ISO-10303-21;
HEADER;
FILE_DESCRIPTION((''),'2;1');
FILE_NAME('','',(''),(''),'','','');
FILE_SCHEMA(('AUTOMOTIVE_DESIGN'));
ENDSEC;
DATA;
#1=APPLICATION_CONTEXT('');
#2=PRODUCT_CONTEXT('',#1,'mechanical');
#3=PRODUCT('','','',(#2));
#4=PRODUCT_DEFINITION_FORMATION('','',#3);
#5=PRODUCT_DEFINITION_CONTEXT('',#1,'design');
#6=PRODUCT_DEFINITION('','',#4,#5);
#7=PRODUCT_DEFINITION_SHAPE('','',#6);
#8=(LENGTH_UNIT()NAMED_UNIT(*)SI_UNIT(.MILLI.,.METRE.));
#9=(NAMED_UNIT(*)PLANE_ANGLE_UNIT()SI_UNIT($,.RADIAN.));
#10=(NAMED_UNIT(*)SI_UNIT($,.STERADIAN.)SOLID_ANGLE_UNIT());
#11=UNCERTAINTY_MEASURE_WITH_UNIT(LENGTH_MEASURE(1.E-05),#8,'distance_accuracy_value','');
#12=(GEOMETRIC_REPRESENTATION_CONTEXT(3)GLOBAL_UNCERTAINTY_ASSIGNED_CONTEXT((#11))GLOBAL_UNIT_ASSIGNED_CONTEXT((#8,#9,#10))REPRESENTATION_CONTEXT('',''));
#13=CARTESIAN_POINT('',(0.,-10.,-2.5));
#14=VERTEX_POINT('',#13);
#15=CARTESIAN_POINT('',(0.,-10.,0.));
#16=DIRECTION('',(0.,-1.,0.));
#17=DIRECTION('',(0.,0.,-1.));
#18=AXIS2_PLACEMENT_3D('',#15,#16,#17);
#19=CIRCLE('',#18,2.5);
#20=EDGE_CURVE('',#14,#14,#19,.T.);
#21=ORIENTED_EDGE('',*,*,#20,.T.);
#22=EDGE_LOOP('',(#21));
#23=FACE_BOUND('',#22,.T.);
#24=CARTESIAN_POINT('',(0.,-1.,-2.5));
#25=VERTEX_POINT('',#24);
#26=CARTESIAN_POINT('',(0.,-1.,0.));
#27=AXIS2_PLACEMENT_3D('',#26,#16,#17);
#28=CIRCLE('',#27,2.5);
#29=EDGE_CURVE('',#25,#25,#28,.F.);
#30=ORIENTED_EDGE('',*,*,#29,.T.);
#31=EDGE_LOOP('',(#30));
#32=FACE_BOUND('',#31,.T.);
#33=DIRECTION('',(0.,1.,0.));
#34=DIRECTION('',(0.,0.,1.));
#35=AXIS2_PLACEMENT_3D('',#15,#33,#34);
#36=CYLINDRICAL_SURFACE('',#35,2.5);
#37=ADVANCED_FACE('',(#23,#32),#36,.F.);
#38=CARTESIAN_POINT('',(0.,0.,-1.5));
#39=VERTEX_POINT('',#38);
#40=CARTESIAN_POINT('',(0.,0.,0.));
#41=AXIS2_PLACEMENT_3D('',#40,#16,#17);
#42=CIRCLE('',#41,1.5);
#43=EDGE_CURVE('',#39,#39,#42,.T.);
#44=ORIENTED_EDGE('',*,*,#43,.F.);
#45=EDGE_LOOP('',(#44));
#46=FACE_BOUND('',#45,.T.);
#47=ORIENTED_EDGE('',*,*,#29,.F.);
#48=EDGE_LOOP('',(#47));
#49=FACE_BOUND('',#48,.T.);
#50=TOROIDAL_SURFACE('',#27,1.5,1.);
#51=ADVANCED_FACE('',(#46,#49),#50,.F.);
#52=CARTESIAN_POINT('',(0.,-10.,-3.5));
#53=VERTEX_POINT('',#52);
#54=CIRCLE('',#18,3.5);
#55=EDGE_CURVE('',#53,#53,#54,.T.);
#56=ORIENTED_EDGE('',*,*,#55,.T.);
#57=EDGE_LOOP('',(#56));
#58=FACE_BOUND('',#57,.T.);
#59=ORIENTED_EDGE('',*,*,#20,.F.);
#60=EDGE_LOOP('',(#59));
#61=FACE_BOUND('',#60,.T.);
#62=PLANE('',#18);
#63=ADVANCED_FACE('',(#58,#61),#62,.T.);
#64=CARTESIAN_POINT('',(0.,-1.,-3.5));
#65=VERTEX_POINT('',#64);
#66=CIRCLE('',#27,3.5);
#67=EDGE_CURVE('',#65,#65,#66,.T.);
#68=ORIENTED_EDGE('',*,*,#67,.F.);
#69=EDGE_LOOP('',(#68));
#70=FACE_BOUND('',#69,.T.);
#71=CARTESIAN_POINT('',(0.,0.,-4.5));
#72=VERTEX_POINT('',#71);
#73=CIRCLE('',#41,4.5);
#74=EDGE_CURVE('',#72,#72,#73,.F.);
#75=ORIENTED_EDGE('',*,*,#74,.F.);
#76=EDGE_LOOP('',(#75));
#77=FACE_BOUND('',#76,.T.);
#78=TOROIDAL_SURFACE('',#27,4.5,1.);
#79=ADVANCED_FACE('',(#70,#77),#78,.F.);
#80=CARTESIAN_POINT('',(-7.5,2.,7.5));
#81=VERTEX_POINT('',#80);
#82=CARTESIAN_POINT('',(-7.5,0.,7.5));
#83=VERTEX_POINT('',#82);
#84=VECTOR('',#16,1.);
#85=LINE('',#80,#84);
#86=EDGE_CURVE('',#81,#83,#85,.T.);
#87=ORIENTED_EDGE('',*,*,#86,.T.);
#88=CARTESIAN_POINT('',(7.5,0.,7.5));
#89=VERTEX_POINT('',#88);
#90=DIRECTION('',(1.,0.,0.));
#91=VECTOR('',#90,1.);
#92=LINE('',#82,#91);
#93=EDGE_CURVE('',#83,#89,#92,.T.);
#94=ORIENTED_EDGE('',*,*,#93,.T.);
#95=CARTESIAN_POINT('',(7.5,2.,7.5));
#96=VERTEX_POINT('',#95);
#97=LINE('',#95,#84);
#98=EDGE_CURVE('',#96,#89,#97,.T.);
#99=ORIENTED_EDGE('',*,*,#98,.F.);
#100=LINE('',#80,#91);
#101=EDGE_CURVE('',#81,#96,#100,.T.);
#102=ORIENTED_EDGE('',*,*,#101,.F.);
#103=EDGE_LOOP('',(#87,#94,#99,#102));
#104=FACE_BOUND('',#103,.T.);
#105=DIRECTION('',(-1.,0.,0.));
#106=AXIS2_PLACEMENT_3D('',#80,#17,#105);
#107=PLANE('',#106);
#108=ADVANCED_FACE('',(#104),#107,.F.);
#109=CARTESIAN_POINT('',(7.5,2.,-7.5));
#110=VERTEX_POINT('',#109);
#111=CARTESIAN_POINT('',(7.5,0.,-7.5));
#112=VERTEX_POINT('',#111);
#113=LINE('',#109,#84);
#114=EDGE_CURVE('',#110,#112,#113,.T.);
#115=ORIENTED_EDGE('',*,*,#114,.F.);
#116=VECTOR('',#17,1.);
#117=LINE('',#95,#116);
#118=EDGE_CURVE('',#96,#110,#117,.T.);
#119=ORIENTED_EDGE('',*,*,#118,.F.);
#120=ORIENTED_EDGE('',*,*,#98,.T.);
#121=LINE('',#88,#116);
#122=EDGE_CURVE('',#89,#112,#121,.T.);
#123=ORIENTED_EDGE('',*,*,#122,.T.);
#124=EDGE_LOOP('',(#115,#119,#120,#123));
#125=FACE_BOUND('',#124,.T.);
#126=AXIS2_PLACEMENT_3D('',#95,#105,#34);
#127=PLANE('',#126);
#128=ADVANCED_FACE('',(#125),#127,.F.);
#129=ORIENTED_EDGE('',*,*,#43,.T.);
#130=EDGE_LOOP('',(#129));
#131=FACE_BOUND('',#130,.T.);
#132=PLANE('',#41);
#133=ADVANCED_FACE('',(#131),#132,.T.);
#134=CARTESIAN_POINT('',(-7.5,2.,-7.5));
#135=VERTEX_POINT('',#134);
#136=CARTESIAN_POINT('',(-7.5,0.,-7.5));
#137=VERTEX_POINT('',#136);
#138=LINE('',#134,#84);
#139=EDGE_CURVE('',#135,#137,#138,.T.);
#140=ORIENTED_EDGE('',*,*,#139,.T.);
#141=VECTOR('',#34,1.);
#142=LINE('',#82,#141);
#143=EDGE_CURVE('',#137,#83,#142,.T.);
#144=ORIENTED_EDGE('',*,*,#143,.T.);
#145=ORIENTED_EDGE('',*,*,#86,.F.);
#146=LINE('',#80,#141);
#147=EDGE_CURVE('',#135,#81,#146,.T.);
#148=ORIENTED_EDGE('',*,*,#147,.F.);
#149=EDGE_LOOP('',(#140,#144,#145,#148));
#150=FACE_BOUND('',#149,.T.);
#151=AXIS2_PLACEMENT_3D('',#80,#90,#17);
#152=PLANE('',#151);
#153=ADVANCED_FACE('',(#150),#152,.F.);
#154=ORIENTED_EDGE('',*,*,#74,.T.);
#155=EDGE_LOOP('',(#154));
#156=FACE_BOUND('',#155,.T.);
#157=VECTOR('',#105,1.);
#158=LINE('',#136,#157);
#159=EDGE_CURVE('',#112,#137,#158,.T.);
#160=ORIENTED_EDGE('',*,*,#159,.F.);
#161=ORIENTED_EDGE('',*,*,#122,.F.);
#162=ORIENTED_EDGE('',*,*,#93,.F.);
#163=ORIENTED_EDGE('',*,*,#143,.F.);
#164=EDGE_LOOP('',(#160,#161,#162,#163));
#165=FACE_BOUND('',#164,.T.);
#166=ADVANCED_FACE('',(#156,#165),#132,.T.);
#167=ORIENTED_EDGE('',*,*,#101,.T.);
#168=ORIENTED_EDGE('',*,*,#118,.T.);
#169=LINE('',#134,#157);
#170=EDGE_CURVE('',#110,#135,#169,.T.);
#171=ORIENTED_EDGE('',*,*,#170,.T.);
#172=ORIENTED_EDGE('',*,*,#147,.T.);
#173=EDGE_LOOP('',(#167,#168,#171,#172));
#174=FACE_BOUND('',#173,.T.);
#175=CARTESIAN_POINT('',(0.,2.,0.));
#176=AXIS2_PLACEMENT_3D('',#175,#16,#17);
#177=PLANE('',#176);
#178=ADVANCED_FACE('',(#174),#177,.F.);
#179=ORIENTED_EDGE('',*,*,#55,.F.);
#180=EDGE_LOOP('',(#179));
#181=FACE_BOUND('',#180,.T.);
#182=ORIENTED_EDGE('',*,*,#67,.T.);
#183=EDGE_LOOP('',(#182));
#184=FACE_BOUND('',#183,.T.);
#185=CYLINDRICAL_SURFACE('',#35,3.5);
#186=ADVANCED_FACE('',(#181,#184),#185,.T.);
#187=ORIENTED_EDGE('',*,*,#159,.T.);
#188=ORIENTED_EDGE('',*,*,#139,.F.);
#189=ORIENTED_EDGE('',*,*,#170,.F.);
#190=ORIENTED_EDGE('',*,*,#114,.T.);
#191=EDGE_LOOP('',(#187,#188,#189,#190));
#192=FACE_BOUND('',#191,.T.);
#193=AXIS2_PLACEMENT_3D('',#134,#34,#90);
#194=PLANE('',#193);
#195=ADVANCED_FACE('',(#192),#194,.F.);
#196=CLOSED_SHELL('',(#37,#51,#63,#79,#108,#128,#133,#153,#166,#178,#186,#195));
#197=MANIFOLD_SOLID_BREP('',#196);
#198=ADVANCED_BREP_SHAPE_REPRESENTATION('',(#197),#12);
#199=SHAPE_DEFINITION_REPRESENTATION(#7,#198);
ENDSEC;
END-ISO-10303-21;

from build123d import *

# Parameters (mm, degrees)
SKETCH2_W           = 15
SKETCH2_H           = 15
BOSS_EXTRUDE1_DEPTH = 2
SKETCH3_R           = 3.5
SKETCH3_R_2         = 2.5
BOSS_EXTRUDE2_DEPTH = 10
FILLET1_R           = 1
FILLET2_R           = 1


with BuildPart() as part:
    # Sketch2 → Boss-Extrude1 (new body)
    with BuildSketch(Plane(origin=(0, 0, 0), x_dir=(1, 0, 0), z_dir=(0, 1, 0))):
        Rectangle(SKETCH2_W, SKETCH2_H)
    extrude(amount=BOSS_EXTRUDE1_DEPTH)

    # Sketch3 → Boss-Extrude2 (add)
    with BuildSketch(Plane.XZ):
        with Locations(Location((0, 0, 0), (0, 0, 270))):
            Circle(SKETCH3_R)
        with Locations(Location((0, 0, 0), (0, 0, 270))):
            Circle(SKETCH3_R_2, mode=Mode.SUBTRACT)
    extrude(amount=BOSS_EXTRUDE2_DEPTH)

    # Fillet1
    fillet1_edges = [part.edges().sort_by_distance(p)[0] for p in [
        (0, 0, 3.5),
    ]]
    fillet(fillet1_edges, radius=FILLET1_R)

    # Fillet2
    fillet2_edges = [part.edges().sort_by_distance(p)[0] for p in [
        (0, 0, 2.5),
    ]]
    fillet(fillet2_edges, radius=FILLET2_R)


solid = part.part
